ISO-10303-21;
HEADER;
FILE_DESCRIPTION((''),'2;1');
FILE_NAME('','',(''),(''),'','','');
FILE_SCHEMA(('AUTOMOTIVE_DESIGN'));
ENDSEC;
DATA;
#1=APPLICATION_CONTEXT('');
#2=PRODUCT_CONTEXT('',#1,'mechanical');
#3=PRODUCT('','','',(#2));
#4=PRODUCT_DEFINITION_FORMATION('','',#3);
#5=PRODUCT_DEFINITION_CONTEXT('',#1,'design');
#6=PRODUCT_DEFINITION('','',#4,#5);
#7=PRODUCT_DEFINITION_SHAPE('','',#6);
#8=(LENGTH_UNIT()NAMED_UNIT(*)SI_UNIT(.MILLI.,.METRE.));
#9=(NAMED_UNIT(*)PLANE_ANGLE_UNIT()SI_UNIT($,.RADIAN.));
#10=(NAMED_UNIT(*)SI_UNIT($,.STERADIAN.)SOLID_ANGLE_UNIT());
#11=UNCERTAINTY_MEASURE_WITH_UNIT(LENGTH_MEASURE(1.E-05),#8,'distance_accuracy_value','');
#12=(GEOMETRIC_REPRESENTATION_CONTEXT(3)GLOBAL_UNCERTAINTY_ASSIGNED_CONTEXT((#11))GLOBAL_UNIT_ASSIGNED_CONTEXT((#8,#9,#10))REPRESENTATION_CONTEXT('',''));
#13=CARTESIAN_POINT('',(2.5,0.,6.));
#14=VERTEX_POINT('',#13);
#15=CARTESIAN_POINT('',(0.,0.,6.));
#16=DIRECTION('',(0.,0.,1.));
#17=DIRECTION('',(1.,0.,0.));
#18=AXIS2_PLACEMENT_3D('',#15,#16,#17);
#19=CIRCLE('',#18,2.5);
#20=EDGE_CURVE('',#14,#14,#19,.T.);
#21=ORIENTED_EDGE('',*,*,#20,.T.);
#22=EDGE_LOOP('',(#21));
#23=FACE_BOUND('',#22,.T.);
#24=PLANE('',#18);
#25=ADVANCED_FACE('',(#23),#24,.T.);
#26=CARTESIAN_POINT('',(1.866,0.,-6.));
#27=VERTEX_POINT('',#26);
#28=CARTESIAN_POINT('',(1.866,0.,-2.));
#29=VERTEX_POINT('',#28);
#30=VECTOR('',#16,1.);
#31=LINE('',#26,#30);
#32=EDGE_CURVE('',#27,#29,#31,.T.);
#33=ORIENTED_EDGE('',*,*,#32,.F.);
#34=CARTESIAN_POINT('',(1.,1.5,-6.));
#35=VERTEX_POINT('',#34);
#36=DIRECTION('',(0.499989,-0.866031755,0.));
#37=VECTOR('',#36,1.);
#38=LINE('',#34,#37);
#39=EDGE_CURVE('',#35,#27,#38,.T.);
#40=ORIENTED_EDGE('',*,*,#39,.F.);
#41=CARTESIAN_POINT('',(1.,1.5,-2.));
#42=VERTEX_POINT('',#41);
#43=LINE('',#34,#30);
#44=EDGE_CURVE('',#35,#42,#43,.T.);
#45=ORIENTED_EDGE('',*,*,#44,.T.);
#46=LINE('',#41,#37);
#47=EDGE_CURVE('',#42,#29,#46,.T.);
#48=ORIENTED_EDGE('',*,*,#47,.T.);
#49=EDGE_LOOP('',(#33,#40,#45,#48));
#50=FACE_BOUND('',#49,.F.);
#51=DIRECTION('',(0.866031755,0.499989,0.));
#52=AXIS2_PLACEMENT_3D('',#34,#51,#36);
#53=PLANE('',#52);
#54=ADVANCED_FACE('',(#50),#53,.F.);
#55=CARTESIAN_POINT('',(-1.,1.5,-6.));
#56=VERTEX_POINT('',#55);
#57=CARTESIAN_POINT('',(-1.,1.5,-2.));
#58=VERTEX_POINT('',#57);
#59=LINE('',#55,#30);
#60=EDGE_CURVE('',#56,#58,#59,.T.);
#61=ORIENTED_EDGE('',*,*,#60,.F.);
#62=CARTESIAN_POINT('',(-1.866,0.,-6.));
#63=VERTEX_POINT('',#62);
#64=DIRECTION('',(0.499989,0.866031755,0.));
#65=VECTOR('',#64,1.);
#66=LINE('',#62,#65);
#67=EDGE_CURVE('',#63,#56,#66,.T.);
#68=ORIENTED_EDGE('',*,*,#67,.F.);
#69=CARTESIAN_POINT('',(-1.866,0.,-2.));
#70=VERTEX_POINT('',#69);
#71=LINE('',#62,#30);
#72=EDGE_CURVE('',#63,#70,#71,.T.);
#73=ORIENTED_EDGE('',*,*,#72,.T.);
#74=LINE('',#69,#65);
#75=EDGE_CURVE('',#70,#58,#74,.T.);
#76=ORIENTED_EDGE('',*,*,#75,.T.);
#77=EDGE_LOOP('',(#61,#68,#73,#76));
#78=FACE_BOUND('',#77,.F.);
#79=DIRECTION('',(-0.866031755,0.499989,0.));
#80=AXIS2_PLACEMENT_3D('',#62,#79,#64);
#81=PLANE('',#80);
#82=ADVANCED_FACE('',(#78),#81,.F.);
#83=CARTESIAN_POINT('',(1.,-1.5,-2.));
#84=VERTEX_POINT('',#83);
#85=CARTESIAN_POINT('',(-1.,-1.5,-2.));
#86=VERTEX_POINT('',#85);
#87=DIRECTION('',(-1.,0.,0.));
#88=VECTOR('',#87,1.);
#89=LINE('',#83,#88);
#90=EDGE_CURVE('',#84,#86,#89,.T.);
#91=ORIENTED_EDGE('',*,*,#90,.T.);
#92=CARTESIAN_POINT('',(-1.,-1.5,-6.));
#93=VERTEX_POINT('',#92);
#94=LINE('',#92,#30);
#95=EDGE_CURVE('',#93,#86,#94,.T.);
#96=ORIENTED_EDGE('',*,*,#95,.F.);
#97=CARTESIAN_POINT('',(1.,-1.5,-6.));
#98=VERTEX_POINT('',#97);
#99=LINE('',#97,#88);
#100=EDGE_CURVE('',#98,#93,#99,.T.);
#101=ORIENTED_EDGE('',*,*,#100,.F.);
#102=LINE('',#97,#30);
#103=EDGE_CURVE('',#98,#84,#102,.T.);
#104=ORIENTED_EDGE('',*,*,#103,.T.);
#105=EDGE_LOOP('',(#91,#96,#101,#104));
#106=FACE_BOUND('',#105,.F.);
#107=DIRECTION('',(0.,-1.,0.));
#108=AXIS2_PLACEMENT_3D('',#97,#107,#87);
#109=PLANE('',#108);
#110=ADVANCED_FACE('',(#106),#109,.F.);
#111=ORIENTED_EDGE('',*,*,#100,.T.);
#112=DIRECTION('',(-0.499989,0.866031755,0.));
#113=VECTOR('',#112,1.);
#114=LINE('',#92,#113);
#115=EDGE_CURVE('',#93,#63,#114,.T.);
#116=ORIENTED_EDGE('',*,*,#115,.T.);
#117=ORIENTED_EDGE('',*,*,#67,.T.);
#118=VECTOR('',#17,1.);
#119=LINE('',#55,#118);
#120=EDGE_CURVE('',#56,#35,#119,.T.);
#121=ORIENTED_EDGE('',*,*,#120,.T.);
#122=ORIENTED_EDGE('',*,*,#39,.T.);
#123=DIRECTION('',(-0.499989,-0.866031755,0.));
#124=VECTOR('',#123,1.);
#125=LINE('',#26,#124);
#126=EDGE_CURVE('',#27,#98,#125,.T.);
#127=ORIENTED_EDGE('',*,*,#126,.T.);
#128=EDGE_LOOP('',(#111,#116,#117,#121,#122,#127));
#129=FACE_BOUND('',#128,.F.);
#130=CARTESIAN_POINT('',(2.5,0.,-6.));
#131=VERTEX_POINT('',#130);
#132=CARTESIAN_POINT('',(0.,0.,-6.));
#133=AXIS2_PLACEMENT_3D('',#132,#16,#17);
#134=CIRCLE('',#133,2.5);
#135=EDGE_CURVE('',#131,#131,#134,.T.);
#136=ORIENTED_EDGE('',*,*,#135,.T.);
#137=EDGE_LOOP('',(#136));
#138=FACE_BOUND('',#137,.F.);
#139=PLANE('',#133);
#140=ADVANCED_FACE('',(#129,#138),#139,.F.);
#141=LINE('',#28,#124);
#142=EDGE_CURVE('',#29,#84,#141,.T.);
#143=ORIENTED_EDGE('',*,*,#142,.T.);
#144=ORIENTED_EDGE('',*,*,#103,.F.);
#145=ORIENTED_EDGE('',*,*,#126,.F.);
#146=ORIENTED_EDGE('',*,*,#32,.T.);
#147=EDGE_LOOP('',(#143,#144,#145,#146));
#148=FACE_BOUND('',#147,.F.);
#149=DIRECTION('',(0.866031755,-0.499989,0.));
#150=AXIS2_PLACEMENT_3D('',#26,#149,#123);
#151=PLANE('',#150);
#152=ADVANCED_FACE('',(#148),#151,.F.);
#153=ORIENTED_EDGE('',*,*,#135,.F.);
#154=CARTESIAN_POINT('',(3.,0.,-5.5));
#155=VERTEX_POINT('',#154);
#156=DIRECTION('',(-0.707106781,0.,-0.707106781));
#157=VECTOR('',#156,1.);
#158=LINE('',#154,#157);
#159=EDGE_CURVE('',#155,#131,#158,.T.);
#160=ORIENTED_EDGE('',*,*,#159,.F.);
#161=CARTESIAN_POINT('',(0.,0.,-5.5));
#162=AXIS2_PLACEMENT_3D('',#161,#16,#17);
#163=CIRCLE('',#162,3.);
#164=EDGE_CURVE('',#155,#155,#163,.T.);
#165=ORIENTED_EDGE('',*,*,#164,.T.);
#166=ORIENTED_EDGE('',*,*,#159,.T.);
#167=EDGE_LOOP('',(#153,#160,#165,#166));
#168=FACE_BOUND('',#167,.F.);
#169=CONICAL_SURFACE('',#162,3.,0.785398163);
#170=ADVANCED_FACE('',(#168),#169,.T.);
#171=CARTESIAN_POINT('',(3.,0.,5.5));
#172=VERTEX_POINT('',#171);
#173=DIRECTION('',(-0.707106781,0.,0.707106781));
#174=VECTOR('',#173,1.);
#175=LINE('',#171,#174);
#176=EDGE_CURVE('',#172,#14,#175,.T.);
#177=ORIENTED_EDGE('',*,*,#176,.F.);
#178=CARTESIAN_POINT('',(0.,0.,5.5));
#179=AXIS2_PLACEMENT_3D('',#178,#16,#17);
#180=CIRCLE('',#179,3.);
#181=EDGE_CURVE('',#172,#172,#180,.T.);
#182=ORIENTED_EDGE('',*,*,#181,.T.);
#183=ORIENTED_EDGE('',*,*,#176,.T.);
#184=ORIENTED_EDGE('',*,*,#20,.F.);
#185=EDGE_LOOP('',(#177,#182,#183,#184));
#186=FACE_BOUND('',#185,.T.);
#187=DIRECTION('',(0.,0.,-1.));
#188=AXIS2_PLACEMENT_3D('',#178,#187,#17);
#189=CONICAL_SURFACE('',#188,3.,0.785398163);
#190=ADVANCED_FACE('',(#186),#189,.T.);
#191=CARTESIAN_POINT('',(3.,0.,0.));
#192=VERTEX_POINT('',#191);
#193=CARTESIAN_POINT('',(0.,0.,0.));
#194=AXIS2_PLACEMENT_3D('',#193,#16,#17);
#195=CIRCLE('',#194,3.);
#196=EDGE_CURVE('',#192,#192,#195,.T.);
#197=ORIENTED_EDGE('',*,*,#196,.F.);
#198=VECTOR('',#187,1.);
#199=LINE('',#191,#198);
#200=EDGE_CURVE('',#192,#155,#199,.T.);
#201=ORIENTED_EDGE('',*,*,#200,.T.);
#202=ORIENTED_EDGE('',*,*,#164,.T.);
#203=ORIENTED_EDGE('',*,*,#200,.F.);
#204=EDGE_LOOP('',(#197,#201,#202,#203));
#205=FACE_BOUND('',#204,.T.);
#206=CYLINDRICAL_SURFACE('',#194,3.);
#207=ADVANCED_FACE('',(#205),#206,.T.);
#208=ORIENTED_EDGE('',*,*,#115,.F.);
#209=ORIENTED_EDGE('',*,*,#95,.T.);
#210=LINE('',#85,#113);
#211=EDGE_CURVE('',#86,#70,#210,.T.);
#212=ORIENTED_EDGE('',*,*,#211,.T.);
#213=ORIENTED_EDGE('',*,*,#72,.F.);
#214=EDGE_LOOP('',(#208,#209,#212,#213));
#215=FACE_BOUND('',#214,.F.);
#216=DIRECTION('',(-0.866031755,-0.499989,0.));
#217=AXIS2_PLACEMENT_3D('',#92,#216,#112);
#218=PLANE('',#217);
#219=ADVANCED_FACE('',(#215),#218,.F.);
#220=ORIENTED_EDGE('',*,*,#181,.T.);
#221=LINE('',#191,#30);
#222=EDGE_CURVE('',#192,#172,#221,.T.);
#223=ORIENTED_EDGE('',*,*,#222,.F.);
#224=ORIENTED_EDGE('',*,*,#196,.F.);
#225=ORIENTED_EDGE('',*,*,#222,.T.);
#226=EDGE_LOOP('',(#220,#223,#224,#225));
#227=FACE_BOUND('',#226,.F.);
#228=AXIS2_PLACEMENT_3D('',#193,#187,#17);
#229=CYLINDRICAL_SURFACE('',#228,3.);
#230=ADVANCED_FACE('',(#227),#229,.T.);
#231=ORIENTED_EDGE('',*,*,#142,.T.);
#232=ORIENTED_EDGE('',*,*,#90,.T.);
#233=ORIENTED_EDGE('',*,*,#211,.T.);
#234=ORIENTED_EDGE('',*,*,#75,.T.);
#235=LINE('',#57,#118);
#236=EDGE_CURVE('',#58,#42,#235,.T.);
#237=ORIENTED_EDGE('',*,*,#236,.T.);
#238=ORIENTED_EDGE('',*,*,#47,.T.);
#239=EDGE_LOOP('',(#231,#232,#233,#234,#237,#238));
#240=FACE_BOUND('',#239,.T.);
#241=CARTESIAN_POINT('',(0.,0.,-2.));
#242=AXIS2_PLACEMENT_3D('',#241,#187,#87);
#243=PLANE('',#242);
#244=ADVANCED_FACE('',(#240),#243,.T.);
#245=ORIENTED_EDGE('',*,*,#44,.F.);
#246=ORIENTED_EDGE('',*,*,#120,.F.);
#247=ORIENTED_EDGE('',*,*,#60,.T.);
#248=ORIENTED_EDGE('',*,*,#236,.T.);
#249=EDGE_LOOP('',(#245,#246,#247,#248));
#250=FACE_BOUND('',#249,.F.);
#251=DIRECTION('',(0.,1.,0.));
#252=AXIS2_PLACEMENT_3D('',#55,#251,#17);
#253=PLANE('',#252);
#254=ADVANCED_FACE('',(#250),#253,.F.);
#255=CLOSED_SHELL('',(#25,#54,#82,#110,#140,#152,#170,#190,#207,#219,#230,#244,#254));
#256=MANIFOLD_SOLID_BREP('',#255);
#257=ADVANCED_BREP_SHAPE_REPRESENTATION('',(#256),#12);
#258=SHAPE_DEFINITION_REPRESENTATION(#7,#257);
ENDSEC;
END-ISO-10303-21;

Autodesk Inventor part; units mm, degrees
ref_plane "YZ Plane" through (0, 0, 0) normal (1, 0, 0) x (0, 1, 0)
ref_plane "XZ Plane" through (0, 0, 0) normal (0, 1, 0) x (-1, 0, 0)
ref_plane "XY Plane" through (0, 0, 0) normal (0, 0, 1) x (1, 0, 0)
sketch "Sketch1" plane through (0, 0, 0) normal (0, 0, 1) x (1, 0, 0)
  circle A0 centre (0, 0) radius 3
  dimension "d0" = 6
extrude "Extrusion1" add sketch "Sketch1" along normal mid plane 12
chamfer "Chamfer1" distance 0.5 angle 45 2 edges at (-3, 0, 6) (-3, 0, -6)
sketch "Sketch2" plane through (0, 0, -6) normal (0, 0, -1) x (-1, 0, 0)
  circle A0 centre (0, 0) radius 2.5 projected
  line L0 (-1.866, 0) -> (-1, -1.5)
  line L1 (-1, 1.5) -> (-1.866, 0)
  line L2 (1, 1.5) -> (-1, 1.5)
  line L3 (1.866, 0) -> (1, 1.5)
  line L4 (1, -1.5) -> (1.866, 0)
  line L5 (-1, -1.5) -> (1, -1.5)
  circle A1 centre (0, 0) radius 1.616 construction
  dimension "d5" = 3.2321
  dimension "d10" = 1.5
  dimension "d11" = 120
  dimension "d13" = 120
  dimension "d16" = 3
extrude "Extrusion2" cut sketch "Sketch2" against normal blind 4 contours L1 L2 L3 L4 L5 L0
thread "Thread1" size "M6x1" class "6g" standard "ANSI Metric M Profile" full length
properties part number "6mm SHCS"
